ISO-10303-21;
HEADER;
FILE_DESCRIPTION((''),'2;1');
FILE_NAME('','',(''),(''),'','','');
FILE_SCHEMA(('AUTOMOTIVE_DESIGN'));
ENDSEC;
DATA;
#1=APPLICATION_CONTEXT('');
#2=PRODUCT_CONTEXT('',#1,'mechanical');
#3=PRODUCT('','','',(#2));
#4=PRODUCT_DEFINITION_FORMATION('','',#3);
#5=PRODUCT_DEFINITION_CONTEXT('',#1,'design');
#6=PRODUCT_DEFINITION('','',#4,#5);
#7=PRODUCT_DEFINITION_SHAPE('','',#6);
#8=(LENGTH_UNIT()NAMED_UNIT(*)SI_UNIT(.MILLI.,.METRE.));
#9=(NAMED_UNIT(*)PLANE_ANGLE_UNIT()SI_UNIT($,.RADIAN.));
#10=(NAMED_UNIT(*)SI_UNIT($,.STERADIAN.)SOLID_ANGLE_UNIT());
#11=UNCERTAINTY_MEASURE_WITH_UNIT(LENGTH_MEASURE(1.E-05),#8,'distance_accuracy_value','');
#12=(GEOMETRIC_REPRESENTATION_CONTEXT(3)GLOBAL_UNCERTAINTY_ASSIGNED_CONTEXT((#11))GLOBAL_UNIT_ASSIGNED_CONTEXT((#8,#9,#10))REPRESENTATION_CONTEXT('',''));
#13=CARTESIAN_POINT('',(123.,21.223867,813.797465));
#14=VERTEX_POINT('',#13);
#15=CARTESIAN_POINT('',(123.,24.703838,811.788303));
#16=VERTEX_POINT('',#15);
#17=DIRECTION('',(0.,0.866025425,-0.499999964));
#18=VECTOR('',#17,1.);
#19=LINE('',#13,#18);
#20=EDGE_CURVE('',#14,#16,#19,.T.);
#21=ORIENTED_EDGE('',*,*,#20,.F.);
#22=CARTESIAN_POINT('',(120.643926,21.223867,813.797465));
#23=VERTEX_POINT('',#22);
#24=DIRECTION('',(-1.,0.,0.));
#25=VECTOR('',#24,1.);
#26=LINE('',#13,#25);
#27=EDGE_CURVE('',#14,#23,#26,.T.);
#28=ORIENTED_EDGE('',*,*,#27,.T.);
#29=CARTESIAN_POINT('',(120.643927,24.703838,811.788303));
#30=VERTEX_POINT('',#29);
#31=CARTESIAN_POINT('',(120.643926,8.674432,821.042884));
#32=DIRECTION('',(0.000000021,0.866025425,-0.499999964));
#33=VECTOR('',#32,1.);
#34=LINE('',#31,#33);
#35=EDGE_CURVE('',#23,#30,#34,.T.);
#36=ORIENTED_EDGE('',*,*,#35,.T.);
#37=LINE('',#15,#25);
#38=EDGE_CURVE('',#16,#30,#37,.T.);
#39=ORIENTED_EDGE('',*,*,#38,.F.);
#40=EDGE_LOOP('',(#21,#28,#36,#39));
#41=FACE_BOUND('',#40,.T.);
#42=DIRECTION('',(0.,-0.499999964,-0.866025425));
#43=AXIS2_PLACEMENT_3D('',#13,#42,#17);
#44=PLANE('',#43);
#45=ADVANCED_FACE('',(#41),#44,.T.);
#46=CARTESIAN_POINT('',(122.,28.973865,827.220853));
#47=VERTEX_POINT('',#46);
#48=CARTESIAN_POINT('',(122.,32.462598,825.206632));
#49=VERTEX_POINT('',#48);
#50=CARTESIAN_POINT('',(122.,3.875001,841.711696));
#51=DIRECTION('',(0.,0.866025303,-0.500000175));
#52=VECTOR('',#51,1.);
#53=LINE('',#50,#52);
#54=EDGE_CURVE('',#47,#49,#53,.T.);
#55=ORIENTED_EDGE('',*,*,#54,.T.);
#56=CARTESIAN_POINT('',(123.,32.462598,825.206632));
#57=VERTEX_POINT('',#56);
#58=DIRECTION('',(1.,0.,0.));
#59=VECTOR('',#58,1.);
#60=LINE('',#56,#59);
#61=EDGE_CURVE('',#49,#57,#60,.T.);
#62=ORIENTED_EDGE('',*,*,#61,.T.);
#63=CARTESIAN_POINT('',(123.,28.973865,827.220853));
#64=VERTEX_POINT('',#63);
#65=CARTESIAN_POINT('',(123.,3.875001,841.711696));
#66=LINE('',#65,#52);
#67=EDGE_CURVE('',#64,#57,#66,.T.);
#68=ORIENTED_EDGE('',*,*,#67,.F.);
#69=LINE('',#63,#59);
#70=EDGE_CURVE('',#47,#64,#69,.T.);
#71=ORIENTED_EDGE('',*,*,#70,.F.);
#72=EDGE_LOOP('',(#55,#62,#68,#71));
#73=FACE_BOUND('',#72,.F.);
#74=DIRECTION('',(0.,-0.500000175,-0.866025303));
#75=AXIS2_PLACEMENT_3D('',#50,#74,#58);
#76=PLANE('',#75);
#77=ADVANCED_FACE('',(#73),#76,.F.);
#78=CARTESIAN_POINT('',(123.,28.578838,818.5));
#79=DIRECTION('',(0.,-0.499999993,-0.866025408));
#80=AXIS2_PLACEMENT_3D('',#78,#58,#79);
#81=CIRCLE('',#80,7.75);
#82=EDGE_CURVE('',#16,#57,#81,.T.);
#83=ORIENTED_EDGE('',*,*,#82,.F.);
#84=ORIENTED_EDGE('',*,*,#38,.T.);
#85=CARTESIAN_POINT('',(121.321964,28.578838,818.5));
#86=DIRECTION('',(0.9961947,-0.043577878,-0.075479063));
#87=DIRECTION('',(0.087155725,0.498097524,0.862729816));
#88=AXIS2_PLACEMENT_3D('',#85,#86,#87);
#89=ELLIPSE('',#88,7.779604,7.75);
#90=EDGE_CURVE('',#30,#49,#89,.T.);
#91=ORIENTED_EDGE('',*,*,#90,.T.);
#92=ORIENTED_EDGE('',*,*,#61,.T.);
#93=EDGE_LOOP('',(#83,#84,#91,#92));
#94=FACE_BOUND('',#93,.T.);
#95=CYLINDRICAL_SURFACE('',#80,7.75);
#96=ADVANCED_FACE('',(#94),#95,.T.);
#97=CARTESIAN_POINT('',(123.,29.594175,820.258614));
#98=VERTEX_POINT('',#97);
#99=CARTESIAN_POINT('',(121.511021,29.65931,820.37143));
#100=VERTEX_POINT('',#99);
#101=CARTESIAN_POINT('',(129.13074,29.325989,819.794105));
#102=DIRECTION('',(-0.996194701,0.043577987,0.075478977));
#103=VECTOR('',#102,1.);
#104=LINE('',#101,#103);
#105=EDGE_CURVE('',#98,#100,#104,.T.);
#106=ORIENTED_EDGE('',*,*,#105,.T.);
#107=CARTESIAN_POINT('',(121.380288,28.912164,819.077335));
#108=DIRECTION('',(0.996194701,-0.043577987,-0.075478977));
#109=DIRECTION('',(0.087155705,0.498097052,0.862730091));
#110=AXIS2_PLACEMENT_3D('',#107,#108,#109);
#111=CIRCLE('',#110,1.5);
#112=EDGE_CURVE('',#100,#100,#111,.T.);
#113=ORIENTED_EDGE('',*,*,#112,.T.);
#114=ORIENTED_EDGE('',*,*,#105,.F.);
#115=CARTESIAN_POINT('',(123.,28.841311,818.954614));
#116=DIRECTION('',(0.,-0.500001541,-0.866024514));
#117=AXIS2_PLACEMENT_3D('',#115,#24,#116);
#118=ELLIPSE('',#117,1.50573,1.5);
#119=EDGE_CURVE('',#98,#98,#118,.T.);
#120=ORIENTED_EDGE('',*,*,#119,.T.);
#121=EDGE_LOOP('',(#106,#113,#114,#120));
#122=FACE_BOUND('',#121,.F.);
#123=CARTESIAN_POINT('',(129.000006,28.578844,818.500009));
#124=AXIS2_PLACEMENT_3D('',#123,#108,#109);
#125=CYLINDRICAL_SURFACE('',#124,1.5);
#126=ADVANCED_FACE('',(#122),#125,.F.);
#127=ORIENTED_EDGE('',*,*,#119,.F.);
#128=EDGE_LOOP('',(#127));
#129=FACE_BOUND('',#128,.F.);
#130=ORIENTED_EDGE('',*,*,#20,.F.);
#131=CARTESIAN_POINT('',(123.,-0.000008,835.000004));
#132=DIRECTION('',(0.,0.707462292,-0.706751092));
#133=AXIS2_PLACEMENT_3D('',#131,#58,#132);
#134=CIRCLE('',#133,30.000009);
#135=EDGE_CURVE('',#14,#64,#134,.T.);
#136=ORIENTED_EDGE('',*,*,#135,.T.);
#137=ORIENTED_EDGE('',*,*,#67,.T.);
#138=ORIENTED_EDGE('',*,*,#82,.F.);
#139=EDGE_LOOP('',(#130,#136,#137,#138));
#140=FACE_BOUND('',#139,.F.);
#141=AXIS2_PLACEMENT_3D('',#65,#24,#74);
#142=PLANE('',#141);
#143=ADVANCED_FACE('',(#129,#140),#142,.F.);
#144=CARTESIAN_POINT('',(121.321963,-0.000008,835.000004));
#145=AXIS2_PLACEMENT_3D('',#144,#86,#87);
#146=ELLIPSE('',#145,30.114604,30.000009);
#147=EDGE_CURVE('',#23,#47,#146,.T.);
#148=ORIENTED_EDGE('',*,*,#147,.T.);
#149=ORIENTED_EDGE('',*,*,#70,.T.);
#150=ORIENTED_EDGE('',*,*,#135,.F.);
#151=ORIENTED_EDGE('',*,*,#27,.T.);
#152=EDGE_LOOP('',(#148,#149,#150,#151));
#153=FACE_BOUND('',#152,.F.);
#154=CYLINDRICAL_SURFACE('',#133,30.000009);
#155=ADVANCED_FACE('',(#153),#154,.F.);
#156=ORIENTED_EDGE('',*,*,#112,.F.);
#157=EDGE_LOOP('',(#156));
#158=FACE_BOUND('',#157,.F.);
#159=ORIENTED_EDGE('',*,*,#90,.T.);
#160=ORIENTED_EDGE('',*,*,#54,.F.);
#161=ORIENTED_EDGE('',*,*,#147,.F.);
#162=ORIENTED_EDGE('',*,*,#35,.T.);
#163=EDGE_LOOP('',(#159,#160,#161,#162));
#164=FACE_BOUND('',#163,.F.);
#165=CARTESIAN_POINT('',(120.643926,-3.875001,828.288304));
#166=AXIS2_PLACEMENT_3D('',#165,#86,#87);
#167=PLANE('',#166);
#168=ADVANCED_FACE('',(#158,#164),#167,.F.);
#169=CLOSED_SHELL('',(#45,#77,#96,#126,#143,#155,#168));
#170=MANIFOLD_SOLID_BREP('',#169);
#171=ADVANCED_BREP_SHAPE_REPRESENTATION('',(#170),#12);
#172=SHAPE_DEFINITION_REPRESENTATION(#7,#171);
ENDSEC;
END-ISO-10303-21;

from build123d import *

# Parameters (mm, degrees)
PAD040_DEPTH         = 42
SKETCH121_W          = 51.449978
SKETCH121_H          = 41.216857
POCKET061_DEPTH      = 2.357074
POCKET061_DEPTH_BACK = 0.001
SKETCH122_R          = 1.5
POCKET062_DEPTH      = 9.321248
POCKET062_DEPTH_BACK = 0.001


with BuildPart() as part:
    # Sketch120 (on DatumPlane) → Pad040 (new body)
    with BuildSketch(Plane(origin=(6, 0, 0), x_dir=(1, 0, 0), z_dir=(0, -0.866025, 0.5))):
        Polygon((-6, 7.75), (-6, -7.75), (-8.356074, -7.75), (-7, 7.75), align=None)
    extrude(amount=-PAD040_DEPTH)

    # Sketch121 → Pocket061 (cut, two sides)
    with BuildSketch(Plane.YZ) as pocket061_sk:
        with Locations((16.010519, -12.541656)):
            Rectangle(SKETCH121_W, SKETCH121_H)
        with BuildLine():
            ThreePointArc((21.223867, -21.202535), (25.980762, -15), (28.973867, -7.779141))
            Line((28.973867, -7.779141), (32.453838, -9.788303))
            ThreePointArc((24.703838, -23.211697), (35.290535, -20.375), (32.453838, -9.788303))
            Line((21.223867, -21.202535), (24.703838, -23.211697))
        make_face(mode=Mode.SUBTRACT)
    extrude(amount=-POCKET061_DEPTH, mode=Mode.SUBTRACT)
    extrude(pocket061_sk.sketch, amount=POCKET061_DEPTH_BACK, mode=Mode.SUBTRACT)

    # Sketch122 (on DatumPlane) → Pocket062 (cut, two sides)
    with BuildSketch(Plane(origin=(6, 0, 0), x_dir=(0.087156, 0.498097, 0.86273), z_dir=(0.996195, -0.043578, -0.075479))) as pocket062_sk:
        with Locations((0, -33)):
            Circle(SKETCH122_R)
    extrude(amount=-POCKET062_DEPTH, mode=Mode.SUBTRACT)
    extrude(pocket062_sk.sketch, amount=POCKET062_DEPTH_BACK, mode=Mode.SUBTRACT)


with BuildPart() as part_1:
    # Body022023 placement: moved
    add(part.part.moved(Location((123, 0, 835))))


solid = part_1.part
